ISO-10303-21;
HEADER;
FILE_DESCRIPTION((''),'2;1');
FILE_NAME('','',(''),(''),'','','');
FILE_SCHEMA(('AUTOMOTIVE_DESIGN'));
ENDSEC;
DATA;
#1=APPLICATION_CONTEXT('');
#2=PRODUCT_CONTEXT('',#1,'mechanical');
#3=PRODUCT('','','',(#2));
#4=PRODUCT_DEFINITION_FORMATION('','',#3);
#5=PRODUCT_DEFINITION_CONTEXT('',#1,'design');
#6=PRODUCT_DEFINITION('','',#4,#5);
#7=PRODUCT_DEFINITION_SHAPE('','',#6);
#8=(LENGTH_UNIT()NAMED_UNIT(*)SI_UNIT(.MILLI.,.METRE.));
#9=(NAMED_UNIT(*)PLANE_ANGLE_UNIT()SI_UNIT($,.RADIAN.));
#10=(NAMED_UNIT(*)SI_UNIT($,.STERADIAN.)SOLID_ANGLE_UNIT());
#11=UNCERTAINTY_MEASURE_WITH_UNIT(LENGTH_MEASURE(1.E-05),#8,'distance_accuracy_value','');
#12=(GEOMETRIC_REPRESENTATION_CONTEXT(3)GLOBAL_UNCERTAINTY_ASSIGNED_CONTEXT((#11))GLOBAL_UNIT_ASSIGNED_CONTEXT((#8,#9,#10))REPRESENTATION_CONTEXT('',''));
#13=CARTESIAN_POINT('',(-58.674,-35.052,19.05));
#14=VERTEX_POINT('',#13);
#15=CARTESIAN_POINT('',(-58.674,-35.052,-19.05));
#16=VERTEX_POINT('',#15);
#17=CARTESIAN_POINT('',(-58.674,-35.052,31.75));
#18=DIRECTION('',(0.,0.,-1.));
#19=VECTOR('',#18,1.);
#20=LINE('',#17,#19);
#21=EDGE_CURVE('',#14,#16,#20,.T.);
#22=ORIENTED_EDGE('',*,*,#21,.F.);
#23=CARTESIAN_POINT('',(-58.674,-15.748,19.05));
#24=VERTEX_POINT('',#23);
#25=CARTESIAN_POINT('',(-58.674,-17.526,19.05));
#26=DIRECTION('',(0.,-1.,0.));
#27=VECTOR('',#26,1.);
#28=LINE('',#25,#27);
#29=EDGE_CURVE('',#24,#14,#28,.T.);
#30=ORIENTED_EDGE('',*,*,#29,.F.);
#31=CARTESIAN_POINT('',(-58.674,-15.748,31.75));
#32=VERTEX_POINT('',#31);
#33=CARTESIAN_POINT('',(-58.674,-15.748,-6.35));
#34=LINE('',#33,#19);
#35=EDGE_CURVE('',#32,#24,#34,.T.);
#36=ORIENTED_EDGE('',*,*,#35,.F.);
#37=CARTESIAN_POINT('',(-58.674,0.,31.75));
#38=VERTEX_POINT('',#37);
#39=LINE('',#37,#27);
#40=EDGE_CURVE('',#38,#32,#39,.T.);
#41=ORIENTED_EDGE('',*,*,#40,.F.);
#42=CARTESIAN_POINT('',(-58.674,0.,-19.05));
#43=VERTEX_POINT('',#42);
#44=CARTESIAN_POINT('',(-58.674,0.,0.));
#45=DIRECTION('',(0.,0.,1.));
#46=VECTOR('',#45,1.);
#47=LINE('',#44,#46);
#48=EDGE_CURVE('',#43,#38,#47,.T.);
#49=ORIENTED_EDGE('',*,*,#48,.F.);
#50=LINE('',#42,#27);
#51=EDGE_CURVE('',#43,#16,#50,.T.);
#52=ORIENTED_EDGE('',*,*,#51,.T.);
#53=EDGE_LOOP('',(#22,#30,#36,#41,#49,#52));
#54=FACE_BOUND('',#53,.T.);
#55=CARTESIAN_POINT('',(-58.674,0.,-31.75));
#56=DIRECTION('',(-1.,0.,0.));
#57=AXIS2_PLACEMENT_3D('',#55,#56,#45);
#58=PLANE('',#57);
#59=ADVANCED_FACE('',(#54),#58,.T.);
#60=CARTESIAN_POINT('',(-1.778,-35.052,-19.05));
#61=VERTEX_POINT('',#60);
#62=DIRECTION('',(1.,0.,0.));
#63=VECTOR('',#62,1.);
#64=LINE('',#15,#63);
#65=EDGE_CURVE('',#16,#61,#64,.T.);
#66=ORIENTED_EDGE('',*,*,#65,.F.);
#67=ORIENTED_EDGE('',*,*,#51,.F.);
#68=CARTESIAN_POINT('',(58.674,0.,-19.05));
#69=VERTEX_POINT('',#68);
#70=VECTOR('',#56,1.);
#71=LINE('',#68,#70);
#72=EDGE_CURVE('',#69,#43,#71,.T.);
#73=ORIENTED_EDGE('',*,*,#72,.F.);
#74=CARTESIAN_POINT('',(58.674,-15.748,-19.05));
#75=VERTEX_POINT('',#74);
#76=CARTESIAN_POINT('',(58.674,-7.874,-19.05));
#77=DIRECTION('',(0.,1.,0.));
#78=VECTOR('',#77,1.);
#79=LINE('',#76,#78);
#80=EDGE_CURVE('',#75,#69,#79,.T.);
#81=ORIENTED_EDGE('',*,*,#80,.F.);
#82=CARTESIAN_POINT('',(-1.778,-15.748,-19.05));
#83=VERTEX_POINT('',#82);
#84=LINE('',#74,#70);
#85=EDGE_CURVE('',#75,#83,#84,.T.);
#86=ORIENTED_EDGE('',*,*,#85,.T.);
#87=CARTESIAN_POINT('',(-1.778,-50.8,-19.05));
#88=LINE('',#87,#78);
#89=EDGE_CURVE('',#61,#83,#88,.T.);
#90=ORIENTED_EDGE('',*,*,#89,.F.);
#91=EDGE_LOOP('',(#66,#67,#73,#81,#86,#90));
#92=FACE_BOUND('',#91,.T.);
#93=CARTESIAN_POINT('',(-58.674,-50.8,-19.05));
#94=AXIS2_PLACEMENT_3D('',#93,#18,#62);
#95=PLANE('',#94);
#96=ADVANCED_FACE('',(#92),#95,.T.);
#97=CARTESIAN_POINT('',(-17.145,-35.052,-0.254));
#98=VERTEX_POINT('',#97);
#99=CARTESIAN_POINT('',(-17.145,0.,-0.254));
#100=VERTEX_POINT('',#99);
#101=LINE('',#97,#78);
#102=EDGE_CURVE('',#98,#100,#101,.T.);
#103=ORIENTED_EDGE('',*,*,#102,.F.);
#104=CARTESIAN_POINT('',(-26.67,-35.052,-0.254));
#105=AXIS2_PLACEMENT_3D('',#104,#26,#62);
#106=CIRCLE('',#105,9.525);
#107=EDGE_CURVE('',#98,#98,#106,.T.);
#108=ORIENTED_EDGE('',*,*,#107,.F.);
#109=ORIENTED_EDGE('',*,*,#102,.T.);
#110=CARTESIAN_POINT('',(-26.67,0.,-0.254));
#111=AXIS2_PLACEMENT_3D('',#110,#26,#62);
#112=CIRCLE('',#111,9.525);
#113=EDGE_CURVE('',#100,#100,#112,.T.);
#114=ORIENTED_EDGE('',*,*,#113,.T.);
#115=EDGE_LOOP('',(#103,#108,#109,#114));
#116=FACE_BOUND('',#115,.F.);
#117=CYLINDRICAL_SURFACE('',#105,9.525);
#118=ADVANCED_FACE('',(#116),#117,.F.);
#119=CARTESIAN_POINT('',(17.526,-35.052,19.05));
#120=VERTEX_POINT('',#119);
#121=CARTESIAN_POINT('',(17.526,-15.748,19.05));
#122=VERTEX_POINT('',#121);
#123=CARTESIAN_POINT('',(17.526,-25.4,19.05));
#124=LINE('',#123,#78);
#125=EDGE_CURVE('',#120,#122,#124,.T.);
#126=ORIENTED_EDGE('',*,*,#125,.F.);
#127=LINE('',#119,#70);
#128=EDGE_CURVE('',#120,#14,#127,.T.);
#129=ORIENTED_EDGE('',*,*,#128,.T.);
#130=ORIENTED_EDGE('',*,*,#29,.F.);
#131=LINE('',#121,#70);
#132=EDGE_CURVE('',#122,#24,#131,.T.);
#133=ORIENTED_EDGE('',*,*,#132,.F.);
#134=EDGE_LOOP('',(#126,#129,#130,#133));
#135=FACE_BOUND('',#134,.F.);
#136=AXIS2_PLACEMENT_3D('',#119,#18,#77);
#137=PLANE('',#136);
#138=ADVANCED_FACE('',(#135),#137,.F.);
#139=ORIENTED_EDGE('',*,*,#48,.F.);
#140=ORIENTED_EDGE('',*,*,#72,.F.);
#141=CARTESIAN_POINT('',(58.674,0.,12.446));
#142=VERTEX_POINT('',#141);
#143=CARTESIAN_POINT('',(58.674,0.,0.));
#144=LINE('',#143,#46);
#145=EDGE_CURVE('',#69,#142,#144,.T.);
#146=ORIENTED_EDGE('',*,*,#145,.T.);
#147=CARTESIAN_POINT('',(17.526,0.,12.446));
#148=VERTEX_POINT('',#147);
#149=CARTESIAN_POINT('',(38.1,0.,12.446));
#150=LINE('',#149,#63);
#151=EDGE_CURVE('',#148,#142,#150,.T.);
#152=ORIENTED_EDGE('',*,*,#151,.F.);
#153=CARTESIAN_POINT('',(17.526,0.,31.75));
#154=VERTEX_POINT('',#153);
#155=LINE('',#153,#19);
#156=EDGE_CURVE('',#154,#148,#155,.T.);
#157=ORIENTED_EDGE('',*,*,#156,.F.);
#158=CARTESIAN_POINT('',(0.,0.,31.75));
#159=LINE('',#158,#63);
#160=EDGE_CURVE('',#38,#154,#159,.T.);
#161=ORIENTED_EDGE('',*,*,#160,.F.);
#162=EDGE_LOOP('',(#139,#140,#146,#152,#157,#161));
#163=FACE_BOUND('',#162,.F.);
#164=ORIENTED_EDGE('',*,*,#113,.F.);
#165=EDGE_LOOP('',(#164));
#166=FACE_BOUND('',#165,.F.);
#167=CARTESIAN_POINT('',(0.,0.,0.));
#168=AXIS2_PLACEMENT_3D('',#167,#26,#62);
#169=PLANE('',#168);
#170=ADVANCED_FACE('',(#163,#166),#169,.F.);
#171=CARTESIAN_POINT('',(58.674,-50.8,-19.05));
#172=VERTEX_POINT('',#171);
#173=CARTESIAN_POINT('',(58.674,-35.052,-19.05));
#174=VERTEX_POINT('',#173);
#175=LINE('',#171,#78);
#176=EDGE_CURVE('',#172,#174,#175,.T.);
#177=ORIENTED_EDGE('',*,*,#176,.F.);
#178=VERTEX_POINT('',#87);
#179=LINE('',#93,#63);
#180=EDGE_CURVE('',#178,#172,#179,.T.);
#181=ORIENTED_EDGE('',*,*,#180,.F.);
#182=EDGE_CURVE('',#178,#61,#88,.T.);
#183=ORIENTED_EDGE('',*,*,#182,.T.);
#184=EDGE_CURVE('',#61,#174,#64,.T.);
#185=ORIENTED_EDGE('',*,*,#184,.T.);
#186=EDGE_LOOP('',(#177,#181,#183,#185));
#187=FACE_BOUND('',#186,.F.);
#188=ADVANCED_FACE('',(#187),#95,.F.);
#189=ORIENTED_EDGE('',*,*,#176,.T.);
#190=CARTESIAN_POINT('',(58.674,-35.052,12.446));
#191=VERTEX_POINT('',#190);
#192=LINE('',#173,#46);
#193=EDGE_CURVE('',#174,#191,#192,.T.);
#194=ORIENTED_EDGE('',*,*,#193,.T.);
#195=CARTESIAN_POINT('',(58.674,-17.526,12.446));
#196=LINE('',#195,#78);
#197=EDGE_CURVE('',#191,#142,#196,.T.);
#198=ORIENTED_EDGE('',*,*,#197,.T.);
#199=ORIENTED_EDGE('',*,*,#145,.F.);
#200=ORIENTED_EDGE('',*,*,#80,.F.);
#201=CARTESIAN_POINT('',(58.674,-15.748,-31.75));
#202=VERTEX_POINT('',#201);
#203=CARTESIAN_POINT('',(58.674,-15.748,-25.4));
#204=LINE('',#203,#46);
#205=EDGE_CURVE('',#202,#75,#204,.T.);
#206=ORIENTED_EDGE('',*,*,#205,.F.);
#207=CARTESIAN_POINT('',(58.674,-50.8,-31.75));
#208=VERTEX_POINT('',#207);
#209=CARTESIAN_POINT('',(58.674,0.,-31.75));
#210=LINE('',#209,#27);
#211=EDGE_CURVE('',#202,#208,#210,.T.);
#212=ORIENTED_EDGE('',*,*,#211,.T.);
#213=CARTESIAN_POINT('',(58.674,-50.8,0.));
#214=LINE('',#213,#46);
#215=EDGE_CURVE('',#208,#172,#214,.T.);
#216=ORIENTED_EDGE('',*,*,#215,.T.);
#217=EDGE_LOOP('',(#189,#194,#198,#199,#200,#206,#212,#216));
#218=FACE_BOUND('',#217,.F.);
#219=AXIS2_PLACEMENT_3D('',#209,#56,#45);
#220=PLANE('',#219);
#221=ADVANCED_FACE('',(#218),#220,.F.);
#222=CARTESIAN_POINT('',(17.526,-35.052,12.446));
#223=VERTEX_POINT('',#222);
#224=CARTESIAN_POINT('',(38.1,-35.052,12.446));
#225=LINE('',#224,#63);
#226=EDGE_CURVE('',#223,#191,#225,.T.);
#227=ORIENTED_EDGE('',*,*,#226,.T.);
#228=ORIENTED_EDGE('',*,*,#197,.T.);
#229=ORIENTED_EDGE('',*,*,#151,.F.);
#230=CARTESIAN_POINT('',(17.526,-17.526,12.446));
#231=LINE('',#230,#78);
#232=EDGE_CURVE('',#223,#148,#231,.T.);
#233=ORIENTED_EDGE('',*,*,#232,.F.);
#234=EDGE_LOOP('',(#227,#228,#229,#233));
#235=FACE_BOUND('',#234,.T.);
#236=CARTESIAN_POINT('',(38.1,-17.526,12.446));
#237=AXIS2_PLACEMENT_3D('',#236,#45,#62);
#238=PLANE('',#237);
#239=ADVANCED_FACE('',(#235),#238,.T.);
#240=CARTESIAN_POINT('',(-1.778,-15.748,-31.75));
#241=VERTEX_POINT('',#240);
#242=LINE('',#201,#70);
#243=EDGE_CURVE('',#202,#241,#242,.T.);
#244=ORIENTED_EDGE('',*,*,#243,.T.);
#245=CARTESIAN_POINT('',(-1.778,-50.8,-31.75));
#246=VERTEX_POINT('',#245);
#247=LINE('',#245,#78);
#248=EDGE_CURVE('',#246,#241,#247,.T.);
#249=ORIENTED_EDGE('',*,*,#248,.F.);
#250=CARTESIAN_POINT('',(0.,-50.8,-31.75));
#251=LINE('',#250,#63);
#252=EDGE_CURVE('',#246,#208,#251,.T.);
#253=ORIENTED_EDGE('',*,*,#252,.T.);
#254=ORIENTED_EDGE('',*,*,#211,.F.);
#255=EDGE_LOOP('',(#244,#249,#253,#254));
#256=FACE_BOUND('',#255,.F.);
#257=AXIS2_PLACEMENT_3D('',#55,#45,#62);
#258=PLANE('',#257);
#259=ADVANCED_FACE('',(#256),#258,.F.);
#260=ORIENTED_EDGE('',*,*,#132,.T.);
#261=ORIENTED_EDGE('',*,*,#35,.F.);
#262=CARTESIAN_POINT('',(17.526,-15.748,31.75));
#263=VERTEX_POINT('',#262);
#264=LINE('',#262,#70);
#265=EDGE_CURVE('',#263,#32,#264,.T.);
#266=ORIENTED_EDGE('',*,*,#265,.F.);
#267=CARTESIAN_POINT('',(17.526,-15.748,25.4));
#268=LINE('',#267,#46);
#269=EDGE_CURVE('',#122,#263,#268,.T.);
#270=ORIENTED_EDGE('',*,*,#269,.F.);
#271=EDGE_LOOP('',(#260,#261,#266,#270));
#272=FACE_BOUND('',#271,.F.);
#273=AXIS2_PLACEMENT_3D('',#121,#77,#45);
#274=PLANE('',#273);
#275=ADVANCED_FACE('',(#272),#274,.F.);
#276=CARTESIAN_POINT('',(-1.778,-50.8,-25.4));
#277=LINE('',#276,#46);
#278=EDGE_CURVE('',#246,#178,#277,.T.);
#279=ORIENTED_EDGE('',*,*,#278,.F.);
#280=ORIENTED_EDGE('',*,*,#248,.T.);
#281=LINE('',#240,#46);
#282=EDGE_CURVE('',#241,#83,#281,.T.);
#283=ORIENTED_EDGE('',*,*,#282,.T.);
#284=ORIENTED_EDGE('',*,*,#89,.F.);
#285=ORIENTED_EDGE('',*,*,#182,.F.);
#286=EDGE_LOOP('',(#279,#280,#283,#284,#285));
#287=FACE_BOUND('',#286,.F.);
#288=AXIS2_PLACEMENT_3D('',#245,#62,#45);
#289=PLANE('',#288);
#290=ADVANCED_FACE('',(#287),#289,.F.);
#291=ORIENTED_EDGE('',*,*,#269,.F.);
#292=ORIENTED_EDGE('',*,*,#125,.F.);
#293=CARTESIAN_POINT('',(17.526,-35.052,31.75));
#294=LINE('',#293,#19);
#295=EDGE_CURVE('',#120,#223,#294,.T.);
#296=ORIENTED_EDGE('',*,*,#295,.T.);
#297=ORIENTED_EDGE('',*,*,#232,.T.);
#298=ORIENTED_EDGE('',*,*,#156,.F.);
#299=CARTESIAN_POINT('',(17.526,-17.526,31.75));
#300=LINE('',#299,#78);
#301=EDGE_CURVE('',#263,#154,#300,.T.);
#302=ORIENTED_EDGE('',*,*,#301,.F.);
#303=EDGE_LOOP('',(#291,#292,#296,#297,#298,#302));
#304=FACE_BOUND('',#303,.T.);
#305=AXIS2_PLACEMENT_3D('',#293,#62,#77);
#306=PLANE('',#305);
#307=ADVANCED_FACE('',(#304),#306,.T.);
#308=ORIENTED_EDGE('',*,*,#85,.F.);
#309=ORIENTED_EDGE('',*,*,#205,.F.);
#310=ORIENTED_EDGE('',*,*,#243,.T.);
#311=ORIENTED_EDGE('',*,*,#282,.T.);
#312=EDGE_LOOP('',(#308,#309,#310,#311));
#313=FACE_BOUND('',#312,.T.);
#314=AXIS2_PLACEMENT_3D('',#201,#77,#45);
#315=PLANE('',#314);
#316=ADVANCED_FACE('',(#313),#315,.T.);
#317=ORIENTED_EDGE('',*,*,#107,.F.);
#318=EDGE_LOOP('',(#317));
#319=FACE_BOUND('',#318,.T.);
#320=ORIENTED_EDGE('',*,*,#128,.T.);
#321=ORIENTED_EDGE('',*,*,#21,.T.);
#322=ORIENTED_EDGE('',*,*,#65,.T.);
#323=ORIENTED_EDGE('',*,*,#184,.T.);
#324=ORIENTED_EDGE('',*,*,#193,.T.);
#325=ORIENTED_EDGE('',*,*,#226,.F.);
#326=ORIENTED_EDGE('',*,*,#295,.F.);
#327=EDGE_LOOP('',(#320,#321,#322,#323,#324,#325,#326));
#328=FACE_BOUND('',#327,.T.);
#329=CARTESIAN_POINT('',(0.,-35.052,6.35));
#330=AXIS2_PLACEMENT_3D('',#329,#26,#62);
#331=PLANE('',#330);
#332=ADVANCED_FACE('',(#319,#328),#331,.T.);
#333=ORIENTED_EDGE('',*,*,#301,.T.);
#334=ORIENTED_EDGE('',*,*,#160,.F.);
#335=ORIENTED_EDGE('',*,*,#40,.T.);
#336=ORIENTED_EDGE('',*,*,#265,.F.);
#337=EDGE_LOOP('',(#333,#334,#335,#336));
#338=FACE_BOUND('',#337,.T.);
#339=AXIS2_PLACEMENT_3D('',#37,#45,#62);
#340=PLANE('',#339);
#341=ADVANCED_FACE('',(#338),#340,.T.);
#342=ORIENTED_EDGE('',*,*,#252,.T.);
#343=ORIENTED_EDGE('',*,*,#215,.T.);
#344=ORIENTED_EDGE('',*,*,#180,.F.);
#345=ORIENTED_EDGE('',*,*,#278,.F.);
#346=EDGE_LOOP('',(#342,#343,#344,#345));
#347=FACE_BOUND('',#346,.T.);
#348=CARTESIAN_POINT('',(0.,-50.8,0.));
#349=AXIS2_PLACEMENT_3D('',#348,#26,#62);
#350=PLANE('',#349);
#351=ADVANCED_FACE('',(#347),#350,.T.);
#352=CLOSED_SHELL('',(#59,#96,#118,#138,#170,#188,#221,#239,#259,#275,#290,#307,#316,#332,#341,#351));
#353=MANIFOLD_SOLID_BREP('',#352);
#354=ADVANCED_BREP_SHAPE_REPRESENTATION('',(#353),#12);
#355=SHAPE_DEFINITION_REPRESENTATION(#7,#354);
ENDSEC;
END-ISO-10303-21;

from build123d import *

# Parameters (mm, degrees)
F0_W      = 117.348
F0_H      = 63.5
F1_DEPTH  = 50.8
F2_W      = 56.896
F2_H      = 12.7
F3_DEPTH  = 50.8
F5_DEPTH  = 15.748
F6_R      = 9.525
F7_DEPTH  = 35.053
F8_W      = 15.748
F8_H      = 12.7
F9_DEPTH  = 117.349
F10_W     = 41.148
F10_H     = 35.052
F11_DEPTH = 19.304
F12_W     = 19.304
F12_H     = 12.7
F13_DEPTH = 76.201


with BuildPart() as f1:
    # F0 (on Front) → F1 (new body)
    with BuildSketch(Plane.XZ):
        Rectangle(F0_W, F0_H)
    extrude(amount=F1_DEPTH)

    # F2 (on face) → F3 (cut)
    with BuildSketch(Plane.XZ.offset(50.8)):
        with Locations((-30.226, -25.4)):
            Rectangle(F2_W, F2_H)
    extrude(amount=-F3_DEPTH, mode=Mode.SUBTRACT)

    # F4 (on face) → F5 (cut)
    with BuildSketch(Plane.XZ.offset(50.8)):
        Polygon((58.674, 31.75), (-58.674, 31.75), (-58.674, -19.05), (-1.778, -19.05), (58.674, -19.05), align=None)
    extrude(amount=-F5_DEPTH, mode=Mode.SUBTRACT)

    # F6 (on face) → F7 (cut, through all)
    with BuildSketch(Plane.XZ.offset(35.052)):
        with Locations((-26.67, -0.254)):
            Circle(F6_R)
    extrude(amount=-F7_DEPTH, mode=Mode.SUBTRACT)

    # F8 (on face) → F9 (cut, through all)
    with BuildSketch(Plane.YZ.offset(58.674)):
        with Locations((-7.874, -25.4)):
            Rectangle(F8_W, F8_H)
    extrude(amount=-F9_DEPTH, mode=Mode.SUBTRACT)

    # F10 (on face) → F11 (cut)
    with BuildSketch(Plane.XY.offset(31.75)):
        with Locations((38.1, -17.526)):
            Rectangle(F10_W, F10_H)
    extrude(amount=-F11_DEPTH, mode=Mode.SUBTRACT)

    # F12 (on face) → F13 (cut, through all)
    with BuildSketch(Plane.YZ.offset(17.526)):
        with Locations((-25.4, 25.4)):
            Rectangle(F12_W, F12_H)
    extrude(amount=-F13_DEPTH, mode=Mode.SUBTRACT)


solid = f1.part
